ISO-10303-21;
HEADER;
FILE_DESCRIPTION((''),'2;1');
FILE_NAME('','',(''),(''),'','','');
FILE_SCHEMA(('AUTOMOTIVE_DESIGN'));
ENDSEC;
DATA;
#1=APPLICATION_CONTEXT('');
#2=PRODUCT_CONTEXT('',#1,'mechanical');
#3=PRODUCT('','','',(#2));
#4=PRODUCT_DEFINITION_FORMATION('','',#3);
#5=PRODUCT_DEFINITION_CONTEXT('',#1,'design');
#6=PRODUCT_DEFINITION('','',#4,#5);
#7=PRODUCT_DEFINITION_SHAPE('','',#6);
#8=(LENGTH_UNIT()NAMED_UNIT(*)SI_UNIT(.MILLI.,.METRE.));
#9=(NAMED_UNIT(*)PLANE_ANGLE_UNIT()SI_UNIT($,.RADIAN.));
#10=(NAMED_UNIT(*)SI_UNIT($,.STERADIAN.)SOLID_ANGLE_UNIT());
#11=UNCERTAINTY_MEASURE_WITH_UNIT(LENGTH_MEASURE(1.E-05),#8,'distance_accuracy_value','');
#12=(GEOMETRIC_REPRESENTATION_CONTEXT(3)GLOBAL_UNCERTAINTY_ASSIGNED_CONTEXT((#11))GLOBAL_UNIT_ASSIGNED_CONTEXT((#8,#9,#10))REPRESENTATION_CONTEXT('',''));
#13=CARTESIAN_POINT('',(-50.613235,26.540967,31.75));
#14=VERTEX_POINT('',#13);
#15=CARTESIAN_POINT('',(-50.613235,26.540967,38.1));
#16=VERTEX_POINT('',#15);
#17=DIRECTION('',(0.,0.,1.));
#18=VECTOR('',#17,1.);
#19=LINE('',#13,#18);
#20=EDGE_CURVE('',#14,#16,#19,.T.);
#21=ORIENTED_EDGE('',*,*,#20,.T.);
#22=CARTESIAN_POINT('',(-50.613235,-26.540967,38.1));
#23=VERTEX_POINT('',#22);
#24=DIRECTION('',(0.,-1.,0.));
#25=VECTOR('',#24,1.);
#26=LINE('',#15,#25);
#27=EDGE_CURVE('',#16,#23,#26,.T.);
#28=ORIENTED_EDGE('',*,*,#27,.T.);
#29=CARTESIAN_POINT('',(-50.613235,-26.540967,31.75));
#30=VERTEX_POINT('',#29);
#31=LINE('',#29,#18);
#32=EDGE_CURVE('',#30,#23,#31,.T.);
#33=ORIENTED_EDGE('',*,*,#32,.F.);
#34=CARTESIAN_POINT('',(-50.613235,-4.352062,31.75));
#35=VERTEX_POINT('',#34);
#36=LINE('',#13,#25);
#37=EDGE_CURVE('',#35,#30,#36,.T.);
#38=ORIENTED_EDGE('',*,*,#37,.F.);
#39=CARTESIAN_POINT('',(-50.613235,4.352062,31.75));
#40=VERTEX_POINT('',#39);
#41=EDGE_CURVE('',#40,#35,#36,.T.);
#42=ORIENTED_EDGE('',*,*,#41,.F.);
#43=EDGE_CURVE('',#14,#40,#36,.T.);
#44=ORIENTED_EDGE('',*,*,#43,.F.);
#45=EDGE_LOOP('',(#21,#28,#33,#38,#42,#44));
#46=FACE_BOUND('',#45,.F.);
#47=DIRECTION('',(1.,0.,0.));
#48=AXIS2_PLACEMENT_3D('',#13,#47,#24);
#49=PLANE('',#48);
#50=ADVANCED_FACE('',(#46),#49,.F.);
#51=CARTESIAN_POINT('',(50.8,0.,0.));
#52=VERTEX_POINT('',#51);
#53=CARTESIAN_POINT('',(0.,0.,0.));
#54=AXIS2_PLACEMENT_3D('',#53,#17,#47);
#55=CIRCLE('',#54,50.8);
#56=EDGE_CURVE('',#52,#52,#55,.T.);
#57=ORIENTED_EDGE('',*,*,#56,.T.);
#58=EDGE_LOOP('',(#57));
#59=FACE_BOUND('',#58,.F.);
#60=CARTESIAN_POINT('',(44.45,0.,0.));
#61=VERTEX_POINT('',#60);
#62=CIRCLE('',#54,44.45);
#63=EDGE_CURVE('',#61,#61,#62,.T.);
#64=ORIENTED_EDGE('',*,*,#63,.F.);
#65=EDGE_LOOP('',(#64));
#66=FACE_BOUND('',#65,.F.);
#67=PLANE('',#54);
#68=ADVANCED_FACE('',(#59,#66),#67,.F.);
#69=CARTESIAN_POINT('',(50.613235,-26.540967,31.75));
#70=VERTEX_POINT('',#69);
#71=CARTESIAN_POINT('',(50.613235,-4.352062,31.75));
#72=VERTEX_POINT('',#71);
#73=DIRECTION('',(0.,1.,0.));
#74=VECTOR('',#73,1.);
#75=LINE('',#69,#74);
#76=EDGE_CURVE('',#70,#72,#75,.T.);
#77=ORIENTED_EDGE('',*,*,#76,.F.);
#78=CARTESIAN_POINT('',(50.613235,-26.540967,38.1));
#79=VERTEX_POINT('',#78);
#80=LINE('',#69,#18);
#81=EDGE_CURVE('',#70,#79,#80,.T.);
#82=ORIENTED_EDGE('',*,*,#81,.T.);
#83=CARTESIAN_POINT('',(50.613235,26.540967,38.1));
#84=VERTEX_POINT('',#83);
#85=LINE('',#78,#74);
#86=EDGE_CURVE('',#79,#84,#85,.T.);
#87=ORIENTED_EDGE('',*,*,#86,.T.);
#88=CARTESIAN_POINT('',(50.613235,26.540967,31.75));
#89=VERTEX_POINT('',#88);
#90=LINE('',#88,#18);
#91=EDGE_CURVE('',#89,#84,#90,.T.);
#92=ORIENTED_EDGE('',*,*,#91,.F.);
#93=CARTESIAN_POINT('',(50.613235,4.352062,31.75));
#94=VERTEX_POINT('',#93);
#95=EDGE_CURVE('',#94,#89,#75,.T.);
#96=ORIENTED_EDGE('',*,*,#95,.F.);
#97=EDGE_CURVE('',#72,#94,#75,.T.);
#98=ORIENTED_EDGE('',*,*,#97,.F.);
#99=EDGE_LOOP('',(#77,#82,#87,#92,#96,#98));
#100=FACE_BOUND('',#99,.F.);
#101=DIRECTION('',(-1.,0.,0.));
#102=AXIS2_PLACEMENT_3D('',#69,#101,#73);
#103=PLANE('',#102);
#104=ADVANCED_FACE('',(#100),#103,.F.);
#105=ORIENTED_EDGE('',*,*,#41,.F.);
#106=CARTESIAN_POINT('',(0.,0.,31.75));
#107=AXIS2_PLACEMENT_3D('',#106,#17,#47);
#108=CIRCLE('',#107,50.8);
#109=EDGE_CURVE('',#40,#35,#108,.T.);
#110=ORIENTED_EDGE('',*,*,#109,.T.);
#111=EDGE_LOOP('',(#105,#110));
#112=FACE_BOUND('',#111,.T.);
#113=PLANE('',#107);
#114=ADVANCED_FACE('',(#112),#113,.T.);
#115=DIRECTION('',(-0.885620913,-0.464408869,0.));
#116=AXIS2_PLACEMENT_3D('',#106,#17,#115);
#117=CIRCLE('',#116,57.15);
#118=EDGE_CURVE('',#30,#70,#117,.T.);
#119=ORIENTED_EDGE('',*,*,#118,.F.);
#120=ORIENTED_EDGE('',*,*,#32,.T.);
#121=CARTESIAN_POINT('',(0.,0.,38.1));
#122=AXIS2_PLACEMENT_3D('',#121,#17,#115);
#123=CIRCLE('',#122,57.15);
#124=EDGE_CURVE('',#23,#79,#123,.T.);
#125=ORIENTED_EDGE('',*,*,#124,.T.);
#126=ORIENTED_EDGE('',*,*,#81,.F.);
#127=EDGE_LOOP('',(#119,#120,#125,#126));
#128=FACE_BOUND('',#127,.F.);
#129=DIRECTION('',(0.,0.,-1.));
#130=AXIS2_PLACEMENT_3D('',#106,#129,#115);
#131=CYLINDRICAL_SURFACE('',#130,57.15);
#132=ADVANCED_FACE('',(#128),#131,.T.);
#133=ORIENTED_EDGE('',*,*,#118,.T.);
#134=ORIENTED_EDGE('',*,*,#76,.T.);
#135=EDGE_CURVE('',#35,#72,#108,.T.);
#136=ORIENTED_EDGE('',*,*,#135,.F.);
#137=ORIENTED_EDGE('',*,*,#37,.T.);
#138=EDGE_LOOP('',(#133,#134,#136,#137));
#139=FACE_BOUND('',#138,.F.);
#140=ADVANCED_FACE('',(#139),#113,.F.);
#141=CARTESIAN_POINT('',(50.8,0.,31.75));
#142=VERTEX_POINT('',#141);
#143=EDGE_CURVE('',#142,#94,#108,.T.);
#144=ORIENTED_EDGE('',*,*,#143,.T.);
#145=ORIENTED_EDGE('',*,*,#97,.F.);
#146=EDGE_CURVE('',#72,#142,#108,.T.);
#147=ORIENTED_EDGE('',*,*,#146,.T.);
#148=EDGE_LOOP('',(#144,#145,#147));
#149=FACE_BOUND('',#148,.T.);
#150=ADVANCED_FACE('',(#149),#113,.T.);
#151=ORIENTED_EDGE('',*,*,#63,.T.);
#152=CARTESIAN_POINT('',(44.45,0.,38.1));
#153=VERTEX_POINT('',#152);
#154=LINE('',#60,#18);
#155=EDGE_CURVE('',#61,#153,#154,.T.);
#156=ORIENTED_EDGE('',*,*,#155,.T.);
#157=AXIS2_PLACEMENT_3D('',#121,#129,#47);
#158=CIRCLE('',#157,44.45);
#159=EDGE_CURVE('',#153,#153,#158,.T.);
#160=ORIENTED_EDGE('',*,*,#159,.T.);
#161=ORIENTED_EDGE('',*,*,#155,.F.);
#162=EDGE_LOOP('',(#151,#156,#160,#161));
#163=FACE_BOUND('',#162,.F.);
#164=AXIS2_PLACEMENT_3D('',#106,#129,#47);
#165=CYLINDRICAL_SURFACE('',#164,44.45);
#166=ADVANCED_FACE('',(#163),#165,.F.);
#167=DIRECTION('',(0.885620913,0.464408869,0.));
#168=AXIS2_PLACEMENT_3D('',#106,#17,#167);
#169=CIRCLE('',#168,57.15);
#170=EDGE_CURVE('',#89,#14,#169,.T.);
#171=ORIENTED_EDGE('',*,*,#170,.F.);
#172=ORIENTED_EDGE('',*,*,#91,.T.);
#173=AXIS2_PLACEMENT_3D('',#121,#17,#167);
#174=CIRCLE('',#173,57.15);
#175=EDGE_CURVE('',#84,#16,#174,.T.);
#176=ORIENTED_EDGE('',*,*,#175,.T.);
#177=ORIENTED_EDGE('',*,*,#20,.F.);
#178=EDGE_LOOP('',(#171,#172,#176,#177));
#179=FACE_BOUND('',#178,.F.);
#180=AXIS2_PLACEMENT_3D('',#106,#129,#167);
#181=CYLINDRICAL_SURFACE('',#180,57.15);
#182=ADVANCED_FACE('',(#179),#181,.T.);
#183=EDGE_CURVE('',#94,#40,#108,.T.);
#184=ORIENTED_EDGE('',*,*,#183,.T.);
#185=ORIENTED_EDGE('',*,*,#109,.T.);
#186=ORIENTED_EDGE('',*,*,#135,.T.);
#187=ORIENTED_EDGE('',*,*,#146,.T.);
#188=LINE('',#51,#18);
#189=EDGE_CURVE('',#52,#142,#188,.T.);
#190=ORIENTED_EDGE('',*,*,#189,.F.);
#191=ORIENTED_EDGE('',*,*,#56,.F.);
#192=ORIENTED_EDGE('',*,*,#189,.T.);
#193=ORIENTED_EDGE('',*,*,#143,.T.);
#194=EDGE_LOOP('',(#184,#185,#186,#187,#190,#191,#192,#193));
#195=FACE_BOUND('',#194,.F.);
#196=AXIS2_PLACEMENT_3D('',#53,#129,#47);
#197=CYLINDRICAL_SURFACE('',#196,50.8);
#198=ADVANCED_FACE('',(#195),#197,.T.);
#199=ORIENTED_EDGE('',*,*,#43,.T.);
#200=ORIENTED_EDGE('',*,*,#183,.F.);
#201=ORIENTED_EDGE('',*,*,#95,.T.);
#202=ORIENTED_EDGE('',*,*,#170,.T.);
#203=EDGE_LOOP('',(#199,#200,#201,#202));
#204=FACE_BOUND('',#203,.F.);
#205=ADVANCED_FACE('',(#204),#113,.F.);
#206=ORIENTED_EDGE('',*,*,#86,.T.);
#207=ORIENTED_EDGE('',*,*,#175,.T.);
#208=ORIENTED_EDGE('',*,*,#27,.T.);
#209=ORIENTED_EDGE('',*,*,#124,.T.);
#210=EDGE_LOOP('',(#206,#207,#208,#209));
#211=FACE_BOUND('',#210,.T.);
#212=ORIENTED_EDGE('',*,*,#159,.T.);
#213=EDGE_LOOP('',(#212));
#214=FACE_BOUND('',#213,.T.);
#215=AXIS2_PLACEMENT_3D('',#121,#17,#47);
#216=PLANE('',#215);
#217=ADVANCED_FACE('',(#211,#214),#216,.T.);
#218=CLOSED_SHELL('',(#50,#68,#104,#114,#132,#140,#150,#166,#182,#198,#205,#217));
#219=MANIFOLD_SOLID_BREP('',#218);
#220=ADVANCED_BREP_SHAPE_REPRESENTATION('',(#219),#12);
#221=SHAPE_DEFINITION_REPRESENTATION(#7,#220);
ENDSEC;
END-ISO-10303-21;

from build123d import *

# Parameters (mm, degrees)
F0_R     = 50.8
F0_R_2   = 44.45
F1_DEPTH = 31.75
F3_DEPTH = 6.35
F4_R     = 44.45
F5_DEPTH = 25.4


with BuildPart() as f1:
    # F0 (on Top) → F1 (new body)
    with BuildSketch(Plane.XY):
        Circle(F0_R)
        Circle(F0_R_2, mode=Mode.SUBTRACT)
    extrude(amount=F1_DEPTH)

    # F2 (on face) → F3 (join)
    with BuildSketch(Plane.XY.offset(31.75)):
        with BuildLine():
            Line((-50.613235, -1.072882), (-50.613235, -26.540967))
            ThreePointArc((-50.613235, -26.540967), (0, -57.15), (50.613235, -26.540967))
            Line((50.613235, -26.540967), (50.613235, 26.540967))
            ThreePointArc((50.613235, 26.540967), (0, 57.15), (-50.613235, 26.540967))
            Line((-50.613235, 26.540967), (-50.613235, -1.072882))
        make_face()
    extrude(amount=F3_DEPTH)

    # F4 (on face) → F5 (cut)
    with BuildSketch(Plane(origin=(0, 0, 31.75), x_dir=(1, 0, 0), z_dir=(0, 0, -1))):
        Circle(F4_R)
    extrude(amount=-F5_DEPTH, mode=Mode.SUBTRACT)


solid = f1.part
